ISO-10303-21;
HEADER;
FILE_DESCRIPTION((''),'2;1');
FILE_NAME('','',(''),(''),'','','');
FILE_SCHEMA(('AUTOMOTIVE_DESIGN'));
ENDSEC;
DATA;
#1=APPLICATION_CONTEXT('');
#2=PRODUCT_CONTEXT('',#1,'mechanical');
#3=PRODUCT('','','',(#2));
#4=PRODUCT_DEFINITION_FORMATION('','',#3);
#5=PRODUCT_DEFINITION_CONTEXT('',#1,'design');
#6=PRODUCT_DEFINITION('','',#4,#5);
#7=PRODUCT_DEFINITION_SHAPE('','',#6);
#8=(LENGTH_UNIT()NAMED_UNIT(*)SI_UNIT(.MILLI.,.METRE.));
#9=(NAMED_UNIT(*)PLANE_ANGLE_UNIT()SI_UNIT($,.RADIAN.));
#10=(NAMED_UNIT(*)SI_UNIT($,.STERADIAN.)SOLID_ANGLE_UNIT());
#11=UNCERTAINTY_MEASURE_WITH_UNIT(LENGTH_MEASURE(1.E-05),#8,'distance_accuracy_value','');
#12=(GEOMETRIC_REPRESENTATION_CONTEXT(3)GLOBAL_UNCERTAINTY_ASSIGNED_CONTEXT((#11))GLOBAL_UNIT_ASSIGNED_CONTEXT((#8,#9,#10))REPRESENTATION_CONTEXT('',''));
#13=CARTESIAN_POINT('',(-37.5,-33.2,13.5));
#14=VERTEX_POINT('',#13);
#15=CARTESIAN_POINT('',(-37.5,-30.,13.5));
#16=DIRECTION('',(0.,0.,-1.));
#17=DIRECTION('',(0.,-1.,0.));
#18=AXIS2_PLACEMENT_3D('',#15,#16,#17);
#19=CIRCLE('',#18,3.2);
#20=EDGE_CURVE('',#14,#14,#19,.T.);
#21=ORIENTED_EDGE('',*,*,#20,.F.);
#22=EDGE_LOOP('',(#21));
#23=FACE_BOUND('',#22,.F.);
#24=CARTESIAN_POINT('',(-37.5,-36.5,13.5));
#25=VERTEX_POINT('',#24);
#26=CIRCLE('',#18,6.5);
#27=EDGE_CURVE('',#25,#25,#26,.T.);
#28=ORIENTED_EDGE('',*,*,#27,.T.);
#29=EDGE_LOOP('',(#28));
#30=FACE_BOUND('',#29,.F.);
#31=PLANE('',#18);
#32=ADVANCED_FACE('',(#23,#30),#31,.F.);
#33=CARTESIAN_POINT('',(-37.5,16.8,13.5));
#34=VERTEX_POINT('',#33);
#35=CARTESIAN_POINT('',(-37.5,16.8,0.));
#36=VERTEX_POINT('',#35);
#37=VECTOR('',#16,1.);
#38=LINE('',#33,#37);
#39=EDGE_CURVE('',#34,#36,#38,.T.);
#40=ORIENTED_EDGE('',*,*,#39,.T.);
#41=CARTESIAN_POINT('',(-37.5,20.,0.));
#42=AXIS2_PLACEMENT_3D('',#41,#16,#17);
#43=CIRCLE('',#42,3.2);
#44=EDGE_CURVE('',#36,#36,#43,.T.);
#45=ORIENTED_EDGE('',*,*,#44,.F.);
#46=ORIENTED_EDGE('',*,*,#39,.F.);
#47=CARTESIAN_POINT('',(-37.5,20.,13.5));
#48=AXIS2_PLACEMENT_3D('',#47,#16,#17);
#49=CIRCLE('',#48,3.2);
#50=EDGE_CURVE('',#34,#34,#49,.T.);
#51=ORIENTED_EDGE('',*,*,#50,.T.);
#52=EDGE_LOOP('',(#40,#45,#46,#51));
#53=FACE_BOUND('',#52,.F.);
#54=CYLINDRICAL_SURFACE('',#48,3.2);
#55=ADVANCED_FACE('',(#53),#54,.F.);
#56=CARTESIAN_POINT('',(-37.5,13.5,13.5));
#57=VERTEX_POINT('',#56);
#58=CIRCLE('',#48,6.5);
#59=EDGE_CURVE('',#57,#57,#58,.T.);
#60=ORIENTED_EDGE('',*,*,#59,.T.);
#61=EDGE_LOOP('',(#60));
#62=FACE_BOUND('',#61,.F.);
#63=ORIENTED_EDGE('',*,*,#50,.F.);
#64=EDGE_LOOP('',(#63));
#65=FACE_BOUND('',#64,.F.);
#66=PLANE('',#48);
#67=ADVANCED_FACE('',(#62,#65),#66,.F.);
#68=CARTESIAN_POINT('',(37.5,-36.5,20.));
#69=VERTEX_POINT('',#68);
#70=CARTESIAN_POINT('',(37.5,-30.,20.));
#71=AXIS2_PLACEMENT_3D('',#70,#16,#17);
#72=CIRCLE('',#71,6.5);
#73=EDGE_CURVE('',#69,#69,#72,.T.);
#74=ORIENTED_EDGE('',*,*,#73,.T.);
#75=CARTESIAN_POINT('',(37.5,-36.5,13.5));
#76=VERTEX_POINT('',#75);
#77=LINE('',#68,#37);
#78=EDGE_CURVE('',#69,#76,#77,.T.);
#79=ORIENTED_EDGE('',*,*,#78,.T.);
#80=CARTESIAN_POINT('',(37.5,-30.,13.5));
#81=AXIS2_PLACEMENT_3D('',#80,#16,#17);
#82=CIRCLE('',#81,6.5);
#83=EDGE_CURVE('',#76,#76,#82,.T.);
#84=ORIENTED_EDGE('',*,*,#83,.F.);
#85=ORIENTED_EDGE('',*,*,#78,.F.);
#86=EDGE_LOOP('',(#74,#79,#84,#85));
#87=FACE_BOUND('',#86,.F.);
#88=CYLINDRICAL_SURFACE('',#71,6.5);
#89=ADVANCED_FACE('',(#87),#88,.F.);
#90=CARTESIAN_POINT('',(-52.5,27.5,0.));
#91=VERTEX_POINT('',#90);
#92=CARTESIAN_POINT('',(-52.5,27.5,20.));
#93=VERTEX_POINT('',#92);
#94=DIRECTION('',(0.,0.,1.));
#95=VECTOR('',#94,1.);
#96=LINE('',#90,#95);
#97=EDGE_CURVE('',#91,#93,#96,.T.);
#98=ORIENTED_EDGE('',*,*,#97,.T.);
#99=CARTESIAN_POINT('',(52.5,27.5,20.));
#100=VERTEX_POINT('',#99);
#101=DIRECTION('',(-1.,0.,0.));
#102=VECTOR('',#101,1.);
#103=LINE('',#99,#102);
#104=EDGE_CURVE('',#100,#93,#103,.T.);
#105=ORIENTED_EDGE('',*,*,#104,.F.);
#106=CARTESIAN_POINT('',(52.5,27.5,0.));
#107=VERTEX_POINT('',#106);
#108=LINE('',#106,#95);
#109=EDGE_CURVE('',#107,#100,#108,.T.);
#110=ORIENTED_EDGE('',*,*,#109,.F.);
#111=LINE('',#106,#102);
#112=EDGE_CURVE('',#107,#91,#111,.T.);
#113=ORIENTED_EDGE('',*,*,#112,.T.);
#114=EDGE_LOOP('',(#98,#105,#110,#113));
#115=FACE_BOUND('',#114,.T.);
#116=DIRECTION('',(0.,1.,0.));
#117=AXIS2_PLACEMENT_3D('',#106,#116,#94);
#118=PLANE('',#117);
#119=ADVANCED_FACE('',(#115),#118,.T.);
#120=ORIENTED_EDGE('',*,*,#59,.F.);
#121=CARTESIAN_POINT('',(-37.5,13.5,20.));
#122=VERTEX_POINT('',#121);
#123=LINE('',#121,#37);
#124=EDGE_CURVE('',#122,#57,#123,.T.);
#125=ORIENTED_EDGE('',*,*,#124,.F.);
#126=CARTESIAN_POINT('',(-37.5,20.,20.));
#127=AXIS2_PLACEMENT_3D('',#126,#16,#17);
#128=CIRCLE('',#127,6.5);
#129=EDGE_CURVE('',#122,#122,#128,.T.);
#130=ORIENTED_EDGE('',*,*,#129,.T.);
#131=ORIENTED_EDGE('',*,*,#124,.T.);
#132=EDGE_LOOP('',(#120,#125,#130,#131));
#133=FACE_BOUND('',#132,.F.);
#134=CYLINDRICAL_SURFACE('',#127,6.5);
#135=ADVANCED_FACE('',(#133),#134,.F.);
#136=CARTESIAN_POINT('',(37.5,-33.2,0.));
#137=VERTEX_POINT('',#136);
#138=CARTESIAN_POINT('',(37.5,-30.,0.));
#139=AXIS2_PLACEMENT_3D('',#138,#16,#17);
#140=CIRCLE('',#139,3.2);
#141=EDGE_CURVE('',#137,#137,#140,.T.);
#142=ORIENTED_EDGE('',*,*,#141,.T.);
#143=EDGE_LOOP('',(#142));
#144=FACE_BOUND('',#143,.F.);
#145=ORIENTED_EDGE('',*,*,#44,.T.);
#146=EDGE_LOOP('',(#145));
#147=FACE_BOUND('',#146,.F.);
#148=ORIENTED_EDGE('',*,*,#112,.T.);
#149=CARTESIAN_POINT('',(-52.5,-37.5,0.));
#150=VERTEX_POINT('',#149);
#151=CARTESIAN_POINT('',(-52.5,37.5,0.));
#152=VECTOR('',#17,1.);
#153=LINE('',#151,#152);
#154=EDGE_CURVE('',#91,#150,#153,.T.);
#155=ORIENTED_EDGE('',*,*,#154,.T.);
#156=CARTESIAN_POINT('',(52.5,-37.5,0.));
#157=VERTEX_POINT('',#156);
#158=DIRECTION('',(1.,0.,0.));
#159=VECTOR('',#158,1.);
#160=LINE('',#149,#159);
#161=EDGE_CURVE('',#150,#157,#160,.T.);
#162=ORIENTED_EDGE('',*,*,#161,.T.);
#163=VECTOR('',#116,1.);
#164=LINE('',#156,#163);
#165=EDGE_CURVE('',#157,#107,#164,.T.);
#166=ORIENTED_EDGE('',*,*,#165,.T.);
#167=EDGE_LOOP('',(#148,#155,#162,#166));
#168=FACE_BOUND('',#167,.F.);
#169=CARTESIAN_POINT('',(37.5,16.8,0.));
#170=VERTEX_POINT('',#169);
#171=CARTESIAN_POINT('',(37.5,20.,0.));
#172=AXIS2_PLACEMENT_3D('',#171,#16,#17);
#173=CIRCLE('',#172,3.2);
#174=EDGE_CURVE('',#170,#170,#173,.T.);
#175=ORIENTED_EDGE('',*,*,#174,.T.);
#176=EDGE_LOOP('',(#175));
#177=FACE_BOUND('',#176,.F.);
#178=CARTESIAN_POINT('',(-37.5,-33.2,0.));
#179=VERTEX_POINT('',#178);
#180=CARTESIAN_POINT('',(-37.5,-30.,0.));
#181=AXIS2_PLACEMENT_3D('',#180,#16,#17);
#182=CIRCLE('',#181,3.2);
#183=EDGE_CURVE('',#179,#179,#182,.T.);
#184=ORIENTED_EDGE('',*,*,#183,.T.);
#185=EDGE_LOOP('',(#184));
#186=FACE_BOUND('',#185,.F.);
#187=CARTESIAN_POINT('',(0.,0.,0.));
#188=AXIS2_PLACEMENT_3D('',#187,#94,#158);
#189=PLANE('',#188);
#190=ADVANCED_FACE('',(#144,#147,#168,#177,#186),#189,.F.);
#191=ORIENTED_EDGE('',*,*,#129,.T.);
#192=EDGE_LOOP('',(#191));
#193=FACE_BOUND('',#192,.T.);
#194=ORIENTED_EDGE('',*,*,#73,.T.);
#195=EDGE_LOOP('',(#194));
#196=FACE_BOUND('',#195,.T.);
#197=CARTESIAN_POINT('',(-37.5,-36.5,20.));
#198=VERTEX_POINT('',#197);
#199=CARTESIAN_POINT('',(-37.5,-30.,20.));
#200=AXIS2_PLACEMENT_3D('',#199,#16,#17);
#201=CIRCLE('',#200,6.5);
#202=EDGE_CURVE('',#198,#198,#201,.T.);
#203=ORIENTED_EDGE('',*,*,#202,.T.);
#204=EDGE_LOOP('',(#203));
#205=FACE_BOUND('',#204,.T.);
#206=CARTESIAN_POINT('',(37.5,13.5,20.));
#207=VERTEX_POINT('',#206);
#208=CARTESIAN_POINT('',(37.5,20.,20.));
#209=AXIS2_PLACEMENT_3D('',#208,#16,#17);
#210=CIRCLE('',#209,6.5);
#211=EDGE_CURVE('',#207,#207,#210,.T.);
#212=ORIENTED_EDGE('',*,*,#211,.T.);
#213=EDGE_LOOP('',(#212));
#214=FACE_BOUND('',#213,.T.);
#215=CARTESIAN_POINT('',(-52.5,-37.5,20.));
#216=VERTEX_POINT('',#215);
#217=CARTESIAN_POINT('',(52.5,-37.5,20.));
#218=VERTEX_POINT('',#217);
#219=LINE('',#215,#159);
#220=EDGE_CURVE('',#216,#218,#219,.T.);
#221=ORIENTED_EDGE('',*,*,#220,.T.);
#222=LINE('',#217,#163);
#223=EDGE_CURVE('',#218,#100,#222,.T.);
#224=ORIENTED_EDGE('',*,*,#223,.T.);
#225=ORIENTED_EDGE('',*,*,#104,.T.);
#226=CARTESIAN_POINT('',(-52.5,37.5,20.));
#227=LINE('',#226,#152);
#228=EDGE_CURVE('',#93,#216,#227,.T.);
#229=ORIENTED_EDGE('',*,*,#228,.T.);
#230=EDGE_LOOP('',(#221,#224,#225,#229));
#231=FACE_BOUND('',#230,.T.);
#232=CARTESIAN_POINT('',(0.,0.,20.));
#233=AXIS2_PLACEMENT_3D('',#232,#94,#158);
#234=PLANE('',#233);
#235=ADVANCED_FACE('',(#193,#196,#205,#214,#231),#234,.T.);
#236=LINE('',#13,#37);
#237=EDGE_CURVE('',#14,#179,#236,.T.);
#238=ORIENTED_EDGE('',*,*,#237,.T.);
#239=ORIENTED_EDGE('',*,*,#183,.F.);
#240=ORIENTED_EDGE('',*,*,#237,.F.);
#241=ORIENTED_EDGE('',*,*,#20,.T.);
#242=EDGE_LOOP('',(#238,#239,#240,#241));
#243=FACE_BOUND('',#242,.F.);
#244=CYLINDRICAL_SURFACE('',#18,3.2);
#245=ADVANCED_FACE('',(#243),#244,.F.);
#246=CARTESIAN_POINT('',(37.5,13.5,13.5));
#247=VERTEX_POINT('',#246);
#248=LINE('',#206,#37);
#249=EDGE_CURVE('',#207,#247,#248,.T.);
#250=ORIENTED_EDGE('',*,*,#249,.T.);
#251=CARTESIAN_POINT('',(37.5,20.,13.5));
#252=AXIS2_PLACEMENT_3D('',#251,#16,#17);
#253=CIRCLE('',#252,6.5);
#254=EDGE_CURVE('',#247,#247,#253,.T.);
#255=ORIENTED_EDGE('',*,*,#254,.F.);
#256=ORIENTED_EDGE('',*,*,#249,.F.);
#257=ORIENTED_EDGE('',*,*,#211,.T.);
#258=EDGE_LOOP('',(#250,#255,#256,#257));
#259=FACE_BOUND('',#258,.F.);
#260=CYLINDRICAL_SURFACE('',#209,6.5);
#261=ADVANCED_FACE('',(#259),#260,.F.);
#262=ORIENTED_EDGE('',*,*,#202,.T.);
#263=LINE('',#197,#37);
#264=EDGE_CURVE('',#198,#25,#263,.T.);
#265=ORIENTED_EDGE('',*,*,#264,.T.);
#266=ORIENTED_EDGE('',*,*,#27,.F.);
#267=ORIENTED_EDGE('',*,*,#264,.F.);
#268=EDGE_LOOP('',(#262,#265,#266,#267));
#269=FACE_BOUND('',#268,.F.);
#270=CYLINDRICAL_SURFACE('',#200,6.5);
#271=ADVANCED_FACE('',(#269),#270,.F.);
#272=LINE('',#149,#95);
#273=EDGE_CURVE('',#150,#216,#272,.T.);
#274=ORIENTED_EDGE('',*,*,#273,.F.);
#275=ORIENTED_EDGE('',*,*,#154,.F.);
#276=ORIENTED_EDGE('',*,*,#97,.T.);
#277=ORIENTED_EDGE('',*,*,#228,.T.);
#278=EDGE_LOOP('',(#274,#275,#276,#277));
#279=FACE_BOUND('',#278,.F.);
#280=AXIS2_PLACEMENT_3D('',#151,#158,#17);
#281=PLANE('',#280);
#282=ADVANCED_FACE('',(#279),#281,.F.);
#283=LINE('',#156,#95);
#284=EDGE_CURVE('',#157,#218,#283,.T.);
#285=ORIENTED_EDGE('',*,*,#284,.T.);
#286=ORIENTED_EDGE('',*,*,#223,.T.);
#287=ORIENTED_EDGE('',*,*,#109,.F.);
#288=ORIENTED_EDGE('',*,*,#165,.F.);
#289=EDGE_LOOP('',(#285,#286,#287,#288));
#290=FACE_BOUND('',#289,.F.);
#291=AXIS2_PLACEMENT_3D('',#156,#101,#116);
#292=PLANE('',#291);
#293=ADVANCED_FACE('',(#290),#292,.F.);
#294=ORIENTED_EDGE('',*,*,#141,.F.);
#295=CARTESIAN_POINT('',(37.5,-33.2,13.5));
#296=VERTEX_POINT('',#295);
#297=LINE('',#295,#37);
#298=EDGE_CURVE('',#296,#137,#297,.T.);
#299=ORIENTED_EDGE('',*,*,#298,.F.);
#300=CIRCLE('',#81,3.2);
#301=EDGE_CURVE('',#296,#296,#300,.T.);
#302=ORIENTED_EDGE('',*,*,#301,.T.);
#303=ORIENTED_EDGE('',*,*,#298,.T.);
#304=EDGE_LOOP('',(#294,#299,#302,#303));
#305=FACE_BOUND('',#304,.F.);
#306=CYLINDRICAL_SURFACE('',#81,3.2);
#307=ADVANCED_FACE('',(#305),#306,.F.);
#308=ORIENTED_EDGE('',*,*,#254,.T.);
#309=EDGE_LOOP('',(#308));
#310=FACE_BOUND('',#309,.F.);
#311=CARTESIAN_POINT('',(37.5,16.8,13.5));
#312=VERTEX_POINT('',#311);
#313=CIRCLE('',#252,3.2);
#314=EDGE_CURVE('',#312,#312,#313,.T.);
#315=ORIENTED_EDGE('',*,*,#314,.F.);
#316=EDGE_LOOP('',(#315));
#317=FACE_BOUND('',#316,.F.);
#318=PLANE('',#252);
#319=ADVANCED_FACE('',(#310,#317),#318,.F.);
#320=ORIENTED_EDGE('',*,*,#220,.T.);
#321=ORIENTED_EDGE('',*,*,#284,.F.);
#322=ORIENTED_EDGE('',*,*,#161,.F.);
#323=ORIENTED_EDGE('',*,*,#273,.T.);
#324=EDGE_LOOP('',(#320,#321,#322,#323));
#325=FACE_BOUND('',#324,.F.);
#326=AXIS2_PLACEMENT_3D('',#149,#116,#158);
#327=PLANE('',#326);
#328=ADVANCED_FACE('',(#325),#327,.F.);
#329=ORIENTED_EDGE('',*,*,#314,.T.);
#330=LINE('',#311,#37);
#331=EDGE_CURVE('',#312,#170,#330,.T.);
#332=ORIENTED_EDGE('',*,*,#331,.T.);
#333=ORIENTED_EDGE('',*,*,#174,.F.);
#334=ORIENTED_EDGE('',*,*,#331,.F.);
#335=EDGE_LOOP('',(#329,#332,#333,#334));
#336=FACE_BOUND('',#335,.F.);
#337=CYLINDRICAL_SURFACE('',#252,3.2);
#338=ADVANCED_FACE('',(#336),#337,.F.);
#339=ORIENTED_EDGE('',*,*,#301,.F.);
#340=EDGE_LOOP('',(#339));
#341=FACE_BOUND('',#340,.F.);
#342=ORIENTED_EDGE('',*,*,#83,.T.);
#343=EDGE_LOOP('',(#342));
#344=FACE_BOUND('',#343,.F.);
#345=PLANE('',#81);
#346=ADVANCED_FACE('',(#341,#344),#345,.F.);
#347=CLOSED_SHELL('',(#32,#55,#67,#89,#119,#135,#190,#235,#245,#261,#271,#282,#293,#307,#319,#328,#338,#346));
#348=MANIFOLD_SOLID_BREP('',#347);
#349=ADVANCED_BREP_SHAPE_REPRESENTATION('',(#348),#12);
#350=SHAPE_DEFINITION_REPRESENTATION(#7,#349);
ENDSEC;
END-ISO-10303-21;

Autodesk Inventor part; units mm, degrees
ref_plane "YZ Plane" through (0, 0, 0) normal (1, 0, 0) x (0, 1, 0)
ref_plane "XZ Plane" through (0, 0, 0) normal (0, 1, 0) x (-1, 0, 0)
sketch "Sketch1" plane through (0, 0, 0) normal (0, 0, 1) x (1, 0, 0)
  line L0 (-52.5, -37.5) -> (52.5, -37.5)
  line L1 (52.5, -37.5) -> (52.5, 37.5)
  line L2 (52.5, 37.5) -> (-52.5, 37.5)
  line L3 (-52.5, 37.5) -> (-52.5, -37.5)
  line L4 (-52.5, -37.5) -> (52.5, 37.5) construction
  line L5 (52.5, -37.5) -> (-52.5, 37.5) construction
  point P0 (0, 0)
  dimension "d0" = 105
  dimension "d1" = 75
extrude "Extrusion1" add sketch "Sketch1" along normal blind 20
sketch "Sketch2" plane through (0, 0, 20) normal (0, 0, 1) x (1, 0, 0)
  line L0 (52.5, 37.5) -> (-52.5, 37.5) projected
  line L1 (-52.5, 37.5) -> (-52.5, -37.5) projected
  point P0 (0, 0)
  point P1 (-37.5, 20)
  point P2 (37.5, 20)
  point P3 (-37.5, -30)
  point P4 (37.5, -30)
  dimension "d4" = 75
  dimension "d5" = 17.5
  dimension "d6" = 17.5
  dimension "d7" = 15
  dimension "d8" = 50
  dimension "d9" = 50
  dimension "d10" = 75
  dimension "d11" = 15
hole "Hole1" at (-37.5, 20, 20) at (37.5, 20, 20) at (-37.5, -30, 20) at (37.5, -30, 20) direction (0, 0, -1) diameter 6.4 end through all counterbore diameter 13 counterbore depth 6.5 clearance for "Hex Head Bolt" size "M6" standard "Ansi Metric M Profile"
sketch "Sketch4" plane through (52.5, -37.5, 0) normal (1, 0, 0) x (0, 0, -1)
  line L0 (0, 75) -> (-20, 75) projected
  line L1 (-20, 75) -> (0, 75)
  line L2 (0, 75) -> (0, 65)
  line L3 (0, 65) -> (-20, 65)
  line L4 (-20, 65) -> (-20, 75)
  dimension "d19" = 20
  dimension "d20" = 10
extrude "Extrusion2" cut sketch "Sketch4" against normal through all
sketch "Sketch5" plane through (-52.5, -37.5, 0) normal (0, -1, 0) x (1, 0, 0)
  point P0 (52.5, 0)
sketch "Sketch7" plane through (0, 0, 20) normal (0, 0, 1) x (1, 0, 0)
  line L0 (37.5265, 13.5317) -> (37.5265, -23.5001)
  circle A0 centre (37.5, -30) radius 6.5 projected
  line L1 (37.5265, -23.5001) -> (37.5265, -13.5001)
  line L2 (37.5265, -13.5001) -> (40.9265, -13.5001)
  line L3 (40.9265, -13.5001) -> (34.1265, -13.5001)
  line L4 (37.5265, -13.5001) -> (39.2265, -13.5001)
  line L5 (39.2265, -13.5001) -> (35.8265, -13.5001)
  point P0 (0, 0)
  dimension "d41" = 10
  dimension "d42" = 3.4
  dimension "d43" = 6.8
  dimension "d44" = 1.7
  dimension "d45" = 3.4
sketch "Sketch8" plane through (0, 0, 20) normal (0, 0, 1) x (1, 0, 0)
  circle A0 centre (37.5, -30) radius 6.5 projected
  line L0 (37.5, -23.5) -> (37.5, -13.5)
  point P0 (0, 0)
  dimension "d25" = 10
ref_plane "Work Plane3" through (37.5, -13.5, 20) normal (0, -1, 0) x (1, 0, 0)
ref_plane "Work Plane4" through (37.5265, -13.5001, 20) normal (0, -1, 0) x (1, 0, 0)
sketch "Sketch10" plane through (37.5265, -13.5001, 20) normal (0, -1, 0) x (1, 0, 0)
  line L0 (1.6997, -0.0003) -> (1.6997, 1.6997)
  line L1 (-1.7001, -0.0003) -> (-1.7001, 1.6997)
  point P0 (-37.5265, -20)
  dimension "d46" = 1.7
  dimension "d47" = 1.7
hole "Hole3" at (35.8265, -13.5001, 21.6997) direction (0, 1, 0) diameter 3 depth 17
sketch "Sketch12" plane through (37.5265, -13.5001, 20) normal (0, -1, 0) x (1, 0, 0)
  line L0 (1.6597, 0) -> (1.7401, 0) projected
  line L1 (1.6999, 0) -> (1.6999, 1.7)
  point P0 (-37.5265, -20)
  dimension "d59" = 1.7
equation "\"d6\" = d5"
equation "\"d9\" = d8"
equation "\"d10\" = d4"
equation "\"d11\" = d7"
properties part number "Soporte"
